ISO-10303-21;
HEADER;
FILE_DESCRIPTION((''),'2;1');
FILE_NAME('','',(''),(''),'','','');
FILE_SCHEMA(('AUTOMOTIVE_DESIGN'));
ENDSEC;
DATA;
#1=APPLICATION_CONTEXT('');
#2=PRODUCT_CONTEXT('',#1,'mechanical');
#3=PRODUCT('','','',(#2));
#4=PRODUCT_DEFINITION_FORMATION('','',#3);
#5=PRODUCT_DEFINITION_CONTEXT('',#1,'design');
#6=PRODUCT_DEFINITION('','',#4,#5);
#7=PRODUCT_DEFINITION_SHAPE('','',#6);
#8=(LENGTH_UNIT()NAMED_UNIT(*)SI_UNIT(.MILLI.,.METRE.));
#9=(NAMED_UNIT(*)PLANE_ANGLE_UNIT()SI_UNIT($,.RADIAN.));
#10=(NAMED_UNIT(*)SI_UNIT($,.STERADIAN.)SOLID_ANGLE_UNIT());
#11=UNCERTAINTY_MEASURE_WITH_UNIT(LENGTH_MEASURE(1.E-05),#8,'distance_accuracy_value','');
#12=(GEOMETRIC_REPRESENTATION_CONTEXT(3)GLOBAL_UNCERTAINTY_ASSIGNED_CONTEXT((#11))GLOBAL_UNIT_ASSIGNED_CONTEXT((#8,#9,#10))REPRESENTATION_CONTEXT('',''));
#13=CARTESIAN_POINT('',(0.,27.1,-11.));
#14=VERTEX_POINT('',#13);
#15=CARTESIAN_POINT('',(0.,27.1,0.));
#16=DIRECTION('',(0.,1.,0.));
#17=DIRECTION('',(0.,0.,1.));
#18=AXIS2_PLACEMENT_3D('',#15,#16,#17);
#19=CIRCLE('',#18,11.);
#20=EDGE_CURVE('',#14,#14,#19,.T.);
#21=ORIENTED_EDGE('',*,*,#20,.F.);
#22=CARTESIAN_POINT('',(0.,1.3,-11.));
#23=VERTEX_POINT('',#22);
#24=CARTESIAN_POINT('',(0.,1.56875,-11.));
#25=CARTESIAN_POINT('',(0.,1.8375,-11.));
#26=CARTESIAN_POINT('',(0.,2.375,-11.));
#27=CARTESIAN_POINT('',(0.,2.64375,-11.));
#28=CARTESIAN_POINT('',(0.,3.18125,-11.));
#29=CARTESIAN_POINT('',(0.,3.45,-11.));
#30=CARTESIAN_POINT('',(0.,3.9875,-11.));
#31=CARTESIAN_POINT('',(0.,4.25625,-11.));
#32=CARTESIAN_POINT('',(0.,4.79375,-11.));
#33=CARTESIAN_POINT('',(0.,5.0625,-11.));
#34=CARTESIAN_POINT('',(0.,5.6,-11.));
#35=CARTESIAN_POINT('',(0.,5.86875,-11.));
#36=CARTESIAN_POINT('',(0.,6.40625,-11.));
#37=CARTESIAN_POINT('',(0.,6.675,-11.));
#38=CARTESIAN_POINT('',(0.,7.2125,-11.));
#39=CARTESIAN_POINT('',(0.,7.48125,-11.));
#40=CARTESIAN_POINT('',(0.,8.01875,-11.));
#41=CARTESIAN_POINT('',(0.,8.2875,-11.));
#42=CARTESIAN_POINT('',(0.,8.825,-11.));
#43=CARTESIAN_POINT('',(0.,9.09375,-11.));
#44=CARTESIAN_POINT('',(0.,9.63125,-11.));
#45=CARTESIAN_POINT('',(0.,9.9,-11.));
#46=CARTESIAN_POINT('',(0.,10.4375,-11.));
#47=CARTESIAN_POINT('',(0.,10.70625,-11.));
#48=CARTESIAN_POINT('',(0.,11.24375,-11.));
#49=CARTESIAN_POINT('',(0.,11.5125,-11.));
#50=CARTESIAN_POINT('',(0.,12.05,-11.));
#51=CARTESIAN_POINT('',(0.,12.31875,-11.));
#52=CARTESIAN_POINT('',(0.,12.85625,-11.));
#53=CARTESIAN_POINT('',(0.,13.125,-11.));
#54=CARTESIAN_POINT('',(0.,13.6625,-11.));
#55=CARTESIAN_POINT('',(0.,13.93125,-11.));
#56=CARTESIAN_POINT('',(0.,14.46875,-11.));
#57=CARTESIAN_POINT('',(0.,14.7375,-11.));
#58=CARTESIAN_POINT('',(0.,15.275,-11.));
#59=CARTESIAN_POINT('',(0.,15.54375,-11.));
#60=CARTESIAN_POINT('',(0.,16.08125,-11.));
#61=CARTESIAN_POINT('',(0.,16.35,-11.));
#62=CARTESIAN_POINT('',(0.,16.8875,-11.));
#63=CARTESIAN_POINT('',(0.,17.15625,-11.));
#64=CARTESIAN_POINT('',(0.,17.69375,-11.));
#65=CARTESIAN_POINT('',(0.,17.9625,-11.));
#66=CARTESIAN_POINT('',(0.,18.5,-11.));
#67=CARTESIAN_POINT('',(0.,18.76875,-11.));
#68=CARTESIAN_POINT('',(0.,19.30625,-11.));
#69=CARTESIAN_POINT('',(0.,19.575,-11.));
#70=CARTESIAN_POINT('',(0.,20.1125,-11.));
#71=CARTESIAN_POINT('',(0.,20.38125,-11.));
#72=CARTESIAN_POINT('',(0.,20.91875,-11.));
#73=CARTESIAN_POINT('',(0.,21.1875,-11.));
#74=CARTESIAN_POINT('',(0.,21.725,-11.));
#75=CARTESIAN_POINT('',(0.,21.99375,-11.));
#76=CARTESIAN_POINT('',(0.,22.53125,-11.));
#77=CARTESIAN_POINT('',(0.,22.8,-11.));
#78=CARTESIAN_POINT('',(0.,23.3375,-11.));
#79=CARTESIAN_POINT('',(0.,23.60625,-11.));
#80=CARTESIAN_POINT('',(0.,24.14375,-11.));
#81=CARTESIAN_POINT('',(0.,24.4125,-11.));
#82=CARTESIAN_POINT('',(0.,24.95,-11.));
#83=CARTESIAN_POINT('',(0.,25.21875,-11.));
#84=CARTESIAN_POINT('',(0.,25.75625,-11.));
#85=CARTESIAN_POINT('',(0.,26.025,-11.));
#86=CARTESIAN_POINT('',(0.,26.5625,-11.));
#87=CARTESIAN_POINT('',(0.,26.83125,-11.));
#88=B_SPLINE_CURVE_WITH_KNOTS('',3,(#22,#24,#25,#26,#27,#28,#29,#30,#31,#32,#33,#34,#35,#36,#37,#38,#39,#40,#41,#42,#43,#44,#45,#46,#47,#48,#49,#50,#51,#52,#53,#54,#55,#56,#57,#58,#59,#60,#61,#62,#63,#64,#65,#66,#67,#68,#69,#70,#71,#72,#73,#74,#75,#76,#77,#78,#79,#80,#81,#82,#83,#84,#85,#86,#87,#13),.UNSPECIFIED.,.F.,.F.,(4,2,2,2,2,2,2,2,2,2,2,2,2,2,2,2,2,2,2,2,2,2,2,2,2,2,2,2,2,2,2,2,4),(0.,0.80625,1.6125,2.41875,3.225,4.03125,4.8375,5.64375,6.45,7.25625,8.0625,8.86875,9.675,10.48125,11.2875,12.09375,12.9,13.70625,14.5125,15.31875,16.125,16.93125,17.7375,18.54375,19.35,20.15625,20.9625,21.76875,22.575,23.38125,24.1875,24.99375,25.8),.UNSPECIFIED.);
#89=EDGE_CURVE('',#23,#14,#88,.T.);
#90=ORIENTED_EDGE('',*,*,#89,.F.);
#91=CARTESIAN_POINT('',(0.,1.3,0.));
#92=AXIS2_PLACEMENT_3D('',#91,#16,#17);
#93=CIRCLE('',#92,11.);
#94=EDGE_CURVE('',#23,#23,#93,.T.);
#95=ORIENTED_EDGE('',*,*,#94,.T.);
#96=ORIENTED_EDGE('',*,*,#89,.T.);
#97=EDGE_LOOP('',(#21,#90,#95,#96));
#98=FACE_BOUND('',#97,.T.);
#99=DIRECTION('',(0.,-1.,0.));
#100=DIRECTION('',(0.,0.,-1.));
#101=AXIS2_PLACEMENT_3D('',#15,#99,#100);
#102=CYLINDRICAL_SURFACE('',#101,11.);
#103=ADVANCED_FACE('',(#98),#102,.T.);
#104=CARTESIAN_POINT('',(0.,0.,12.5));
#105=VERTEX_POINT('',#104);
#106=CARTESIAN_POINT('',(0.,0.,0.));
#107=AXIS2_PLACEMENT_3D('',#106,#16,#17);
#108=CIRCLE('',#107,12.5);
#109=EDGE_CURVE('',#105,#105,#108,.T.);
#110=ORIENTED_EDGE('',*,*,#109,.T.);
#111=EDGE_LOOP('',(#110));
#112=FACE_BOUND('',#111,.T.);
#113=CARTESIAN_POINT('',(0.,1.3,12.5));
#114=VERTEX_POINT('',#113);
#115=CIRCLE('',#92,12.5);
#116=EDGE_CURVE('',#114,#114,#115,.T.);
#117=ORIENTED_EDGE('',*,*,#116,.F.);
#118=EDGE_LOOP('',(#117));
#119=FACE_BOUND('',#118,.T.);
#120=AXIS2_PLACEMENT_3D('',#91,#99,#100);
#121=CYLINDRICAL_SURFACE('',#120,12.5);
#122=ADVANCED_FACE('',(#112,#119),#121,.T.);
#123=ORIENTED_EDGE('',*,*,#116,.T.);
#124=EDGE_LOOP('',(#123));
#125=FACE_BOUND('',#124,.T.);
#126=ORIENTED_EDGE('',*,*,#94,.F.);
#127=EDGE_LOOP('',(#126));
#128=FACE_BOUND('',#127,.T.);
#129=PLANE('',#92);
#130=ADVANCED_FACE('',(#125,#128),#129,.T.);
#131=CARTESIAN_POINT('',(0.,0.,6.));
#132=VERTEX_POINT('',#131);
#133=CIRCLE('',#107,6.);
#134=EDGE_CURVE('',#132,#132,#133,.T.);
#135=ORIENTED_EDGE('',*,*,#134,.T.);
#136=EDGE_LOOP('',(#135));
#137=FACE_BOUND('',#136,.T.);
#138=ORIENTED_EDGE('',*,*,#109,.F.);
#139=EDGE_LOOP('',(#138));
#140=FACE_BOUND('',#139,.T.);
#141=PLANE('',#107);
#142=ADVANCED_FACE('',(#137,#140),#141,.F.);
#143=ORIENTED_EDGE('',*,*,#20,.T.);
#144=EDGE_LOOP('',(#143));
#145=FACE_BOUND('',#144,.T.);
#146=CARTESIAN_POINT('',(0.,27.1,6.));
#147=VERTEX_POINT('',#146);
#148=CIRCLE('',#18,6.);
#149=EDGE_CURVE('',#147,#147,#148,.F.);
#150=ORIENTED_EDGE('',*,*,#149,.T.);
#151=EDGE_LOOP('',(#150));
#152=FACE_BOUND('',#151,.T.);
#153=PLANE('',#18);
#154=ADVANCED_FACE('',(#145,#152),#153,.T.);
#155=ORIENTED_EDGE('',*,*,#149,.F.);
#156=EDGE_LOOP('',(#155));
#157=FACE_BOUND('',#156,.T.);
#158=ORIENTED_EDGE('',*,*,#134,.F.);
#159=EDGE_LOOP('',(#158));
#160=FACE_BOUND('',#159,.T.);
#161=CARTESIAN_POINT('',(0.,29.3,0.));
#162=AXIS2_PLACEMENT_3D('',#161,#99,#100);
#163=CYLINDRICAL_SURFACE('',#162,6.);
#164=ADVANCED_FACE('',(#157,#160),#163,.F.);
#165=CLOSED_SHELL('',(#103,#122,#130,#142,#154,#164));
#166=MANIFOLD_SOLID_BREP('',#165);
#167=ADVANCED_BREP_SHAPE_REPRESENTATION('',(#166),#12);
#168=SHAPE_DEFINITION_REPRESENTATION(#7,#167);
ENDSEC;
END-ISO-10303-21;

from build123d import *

# Parameters (mm, degrees)
SKETCH1_R           = 11
BOSS_EXTRUDE1_DEPTH = 27.1
SKETCH2_R           = 12.5
BOSS_EXTRUDE2_DEPTH = 1.3
SKETCH3_R           = 6
CUT_EXTRUDE1_DEPTH  = 29.3


with BuildPart() as part:
    # Sketch1 → Boss-Extrude1 (new body)
    with BuildSketch(Plane(origin=(0, 0, 0), x_dir=(1, 0, 0), z_dir=(0, 1, 0))):
        with Locations(Location((0, 0, 0), (0, 0, 90))):
            Circle(SKETCH1_R)
    extrude(amount=BOSS_EXTRUDE1_DEPTH)

    # Sketch2 → Boss-Extrude2 (add)
    with BuildSketch(Plane(origin=(0, 0, 0), x_dir=(1, 0, 0), z_dir=(0, 1, 0))):
        with Locations(Location((0, 0, 0), (0, 0, 270))):
            Circle(SKETCH2_R)
    extrude(amount=BOSS_EXTRUDE2_DEPTH)

    # Sketch3 → Cut-Extrude1 (cut)
    with BuildSketch(Plane(origin=(0, 0, 0), x_dir=(1, 0, 0), z_dir=(0, 1, 0))):
        with Locations(Location((0, 0, 0), (0, 0, 270))):
            Circle(SKETCH3_R)
    extrude(amount=CUT_EXTRUDE1_DEPTH, mode=Mode.SUBTRACT)


solid = part.part
